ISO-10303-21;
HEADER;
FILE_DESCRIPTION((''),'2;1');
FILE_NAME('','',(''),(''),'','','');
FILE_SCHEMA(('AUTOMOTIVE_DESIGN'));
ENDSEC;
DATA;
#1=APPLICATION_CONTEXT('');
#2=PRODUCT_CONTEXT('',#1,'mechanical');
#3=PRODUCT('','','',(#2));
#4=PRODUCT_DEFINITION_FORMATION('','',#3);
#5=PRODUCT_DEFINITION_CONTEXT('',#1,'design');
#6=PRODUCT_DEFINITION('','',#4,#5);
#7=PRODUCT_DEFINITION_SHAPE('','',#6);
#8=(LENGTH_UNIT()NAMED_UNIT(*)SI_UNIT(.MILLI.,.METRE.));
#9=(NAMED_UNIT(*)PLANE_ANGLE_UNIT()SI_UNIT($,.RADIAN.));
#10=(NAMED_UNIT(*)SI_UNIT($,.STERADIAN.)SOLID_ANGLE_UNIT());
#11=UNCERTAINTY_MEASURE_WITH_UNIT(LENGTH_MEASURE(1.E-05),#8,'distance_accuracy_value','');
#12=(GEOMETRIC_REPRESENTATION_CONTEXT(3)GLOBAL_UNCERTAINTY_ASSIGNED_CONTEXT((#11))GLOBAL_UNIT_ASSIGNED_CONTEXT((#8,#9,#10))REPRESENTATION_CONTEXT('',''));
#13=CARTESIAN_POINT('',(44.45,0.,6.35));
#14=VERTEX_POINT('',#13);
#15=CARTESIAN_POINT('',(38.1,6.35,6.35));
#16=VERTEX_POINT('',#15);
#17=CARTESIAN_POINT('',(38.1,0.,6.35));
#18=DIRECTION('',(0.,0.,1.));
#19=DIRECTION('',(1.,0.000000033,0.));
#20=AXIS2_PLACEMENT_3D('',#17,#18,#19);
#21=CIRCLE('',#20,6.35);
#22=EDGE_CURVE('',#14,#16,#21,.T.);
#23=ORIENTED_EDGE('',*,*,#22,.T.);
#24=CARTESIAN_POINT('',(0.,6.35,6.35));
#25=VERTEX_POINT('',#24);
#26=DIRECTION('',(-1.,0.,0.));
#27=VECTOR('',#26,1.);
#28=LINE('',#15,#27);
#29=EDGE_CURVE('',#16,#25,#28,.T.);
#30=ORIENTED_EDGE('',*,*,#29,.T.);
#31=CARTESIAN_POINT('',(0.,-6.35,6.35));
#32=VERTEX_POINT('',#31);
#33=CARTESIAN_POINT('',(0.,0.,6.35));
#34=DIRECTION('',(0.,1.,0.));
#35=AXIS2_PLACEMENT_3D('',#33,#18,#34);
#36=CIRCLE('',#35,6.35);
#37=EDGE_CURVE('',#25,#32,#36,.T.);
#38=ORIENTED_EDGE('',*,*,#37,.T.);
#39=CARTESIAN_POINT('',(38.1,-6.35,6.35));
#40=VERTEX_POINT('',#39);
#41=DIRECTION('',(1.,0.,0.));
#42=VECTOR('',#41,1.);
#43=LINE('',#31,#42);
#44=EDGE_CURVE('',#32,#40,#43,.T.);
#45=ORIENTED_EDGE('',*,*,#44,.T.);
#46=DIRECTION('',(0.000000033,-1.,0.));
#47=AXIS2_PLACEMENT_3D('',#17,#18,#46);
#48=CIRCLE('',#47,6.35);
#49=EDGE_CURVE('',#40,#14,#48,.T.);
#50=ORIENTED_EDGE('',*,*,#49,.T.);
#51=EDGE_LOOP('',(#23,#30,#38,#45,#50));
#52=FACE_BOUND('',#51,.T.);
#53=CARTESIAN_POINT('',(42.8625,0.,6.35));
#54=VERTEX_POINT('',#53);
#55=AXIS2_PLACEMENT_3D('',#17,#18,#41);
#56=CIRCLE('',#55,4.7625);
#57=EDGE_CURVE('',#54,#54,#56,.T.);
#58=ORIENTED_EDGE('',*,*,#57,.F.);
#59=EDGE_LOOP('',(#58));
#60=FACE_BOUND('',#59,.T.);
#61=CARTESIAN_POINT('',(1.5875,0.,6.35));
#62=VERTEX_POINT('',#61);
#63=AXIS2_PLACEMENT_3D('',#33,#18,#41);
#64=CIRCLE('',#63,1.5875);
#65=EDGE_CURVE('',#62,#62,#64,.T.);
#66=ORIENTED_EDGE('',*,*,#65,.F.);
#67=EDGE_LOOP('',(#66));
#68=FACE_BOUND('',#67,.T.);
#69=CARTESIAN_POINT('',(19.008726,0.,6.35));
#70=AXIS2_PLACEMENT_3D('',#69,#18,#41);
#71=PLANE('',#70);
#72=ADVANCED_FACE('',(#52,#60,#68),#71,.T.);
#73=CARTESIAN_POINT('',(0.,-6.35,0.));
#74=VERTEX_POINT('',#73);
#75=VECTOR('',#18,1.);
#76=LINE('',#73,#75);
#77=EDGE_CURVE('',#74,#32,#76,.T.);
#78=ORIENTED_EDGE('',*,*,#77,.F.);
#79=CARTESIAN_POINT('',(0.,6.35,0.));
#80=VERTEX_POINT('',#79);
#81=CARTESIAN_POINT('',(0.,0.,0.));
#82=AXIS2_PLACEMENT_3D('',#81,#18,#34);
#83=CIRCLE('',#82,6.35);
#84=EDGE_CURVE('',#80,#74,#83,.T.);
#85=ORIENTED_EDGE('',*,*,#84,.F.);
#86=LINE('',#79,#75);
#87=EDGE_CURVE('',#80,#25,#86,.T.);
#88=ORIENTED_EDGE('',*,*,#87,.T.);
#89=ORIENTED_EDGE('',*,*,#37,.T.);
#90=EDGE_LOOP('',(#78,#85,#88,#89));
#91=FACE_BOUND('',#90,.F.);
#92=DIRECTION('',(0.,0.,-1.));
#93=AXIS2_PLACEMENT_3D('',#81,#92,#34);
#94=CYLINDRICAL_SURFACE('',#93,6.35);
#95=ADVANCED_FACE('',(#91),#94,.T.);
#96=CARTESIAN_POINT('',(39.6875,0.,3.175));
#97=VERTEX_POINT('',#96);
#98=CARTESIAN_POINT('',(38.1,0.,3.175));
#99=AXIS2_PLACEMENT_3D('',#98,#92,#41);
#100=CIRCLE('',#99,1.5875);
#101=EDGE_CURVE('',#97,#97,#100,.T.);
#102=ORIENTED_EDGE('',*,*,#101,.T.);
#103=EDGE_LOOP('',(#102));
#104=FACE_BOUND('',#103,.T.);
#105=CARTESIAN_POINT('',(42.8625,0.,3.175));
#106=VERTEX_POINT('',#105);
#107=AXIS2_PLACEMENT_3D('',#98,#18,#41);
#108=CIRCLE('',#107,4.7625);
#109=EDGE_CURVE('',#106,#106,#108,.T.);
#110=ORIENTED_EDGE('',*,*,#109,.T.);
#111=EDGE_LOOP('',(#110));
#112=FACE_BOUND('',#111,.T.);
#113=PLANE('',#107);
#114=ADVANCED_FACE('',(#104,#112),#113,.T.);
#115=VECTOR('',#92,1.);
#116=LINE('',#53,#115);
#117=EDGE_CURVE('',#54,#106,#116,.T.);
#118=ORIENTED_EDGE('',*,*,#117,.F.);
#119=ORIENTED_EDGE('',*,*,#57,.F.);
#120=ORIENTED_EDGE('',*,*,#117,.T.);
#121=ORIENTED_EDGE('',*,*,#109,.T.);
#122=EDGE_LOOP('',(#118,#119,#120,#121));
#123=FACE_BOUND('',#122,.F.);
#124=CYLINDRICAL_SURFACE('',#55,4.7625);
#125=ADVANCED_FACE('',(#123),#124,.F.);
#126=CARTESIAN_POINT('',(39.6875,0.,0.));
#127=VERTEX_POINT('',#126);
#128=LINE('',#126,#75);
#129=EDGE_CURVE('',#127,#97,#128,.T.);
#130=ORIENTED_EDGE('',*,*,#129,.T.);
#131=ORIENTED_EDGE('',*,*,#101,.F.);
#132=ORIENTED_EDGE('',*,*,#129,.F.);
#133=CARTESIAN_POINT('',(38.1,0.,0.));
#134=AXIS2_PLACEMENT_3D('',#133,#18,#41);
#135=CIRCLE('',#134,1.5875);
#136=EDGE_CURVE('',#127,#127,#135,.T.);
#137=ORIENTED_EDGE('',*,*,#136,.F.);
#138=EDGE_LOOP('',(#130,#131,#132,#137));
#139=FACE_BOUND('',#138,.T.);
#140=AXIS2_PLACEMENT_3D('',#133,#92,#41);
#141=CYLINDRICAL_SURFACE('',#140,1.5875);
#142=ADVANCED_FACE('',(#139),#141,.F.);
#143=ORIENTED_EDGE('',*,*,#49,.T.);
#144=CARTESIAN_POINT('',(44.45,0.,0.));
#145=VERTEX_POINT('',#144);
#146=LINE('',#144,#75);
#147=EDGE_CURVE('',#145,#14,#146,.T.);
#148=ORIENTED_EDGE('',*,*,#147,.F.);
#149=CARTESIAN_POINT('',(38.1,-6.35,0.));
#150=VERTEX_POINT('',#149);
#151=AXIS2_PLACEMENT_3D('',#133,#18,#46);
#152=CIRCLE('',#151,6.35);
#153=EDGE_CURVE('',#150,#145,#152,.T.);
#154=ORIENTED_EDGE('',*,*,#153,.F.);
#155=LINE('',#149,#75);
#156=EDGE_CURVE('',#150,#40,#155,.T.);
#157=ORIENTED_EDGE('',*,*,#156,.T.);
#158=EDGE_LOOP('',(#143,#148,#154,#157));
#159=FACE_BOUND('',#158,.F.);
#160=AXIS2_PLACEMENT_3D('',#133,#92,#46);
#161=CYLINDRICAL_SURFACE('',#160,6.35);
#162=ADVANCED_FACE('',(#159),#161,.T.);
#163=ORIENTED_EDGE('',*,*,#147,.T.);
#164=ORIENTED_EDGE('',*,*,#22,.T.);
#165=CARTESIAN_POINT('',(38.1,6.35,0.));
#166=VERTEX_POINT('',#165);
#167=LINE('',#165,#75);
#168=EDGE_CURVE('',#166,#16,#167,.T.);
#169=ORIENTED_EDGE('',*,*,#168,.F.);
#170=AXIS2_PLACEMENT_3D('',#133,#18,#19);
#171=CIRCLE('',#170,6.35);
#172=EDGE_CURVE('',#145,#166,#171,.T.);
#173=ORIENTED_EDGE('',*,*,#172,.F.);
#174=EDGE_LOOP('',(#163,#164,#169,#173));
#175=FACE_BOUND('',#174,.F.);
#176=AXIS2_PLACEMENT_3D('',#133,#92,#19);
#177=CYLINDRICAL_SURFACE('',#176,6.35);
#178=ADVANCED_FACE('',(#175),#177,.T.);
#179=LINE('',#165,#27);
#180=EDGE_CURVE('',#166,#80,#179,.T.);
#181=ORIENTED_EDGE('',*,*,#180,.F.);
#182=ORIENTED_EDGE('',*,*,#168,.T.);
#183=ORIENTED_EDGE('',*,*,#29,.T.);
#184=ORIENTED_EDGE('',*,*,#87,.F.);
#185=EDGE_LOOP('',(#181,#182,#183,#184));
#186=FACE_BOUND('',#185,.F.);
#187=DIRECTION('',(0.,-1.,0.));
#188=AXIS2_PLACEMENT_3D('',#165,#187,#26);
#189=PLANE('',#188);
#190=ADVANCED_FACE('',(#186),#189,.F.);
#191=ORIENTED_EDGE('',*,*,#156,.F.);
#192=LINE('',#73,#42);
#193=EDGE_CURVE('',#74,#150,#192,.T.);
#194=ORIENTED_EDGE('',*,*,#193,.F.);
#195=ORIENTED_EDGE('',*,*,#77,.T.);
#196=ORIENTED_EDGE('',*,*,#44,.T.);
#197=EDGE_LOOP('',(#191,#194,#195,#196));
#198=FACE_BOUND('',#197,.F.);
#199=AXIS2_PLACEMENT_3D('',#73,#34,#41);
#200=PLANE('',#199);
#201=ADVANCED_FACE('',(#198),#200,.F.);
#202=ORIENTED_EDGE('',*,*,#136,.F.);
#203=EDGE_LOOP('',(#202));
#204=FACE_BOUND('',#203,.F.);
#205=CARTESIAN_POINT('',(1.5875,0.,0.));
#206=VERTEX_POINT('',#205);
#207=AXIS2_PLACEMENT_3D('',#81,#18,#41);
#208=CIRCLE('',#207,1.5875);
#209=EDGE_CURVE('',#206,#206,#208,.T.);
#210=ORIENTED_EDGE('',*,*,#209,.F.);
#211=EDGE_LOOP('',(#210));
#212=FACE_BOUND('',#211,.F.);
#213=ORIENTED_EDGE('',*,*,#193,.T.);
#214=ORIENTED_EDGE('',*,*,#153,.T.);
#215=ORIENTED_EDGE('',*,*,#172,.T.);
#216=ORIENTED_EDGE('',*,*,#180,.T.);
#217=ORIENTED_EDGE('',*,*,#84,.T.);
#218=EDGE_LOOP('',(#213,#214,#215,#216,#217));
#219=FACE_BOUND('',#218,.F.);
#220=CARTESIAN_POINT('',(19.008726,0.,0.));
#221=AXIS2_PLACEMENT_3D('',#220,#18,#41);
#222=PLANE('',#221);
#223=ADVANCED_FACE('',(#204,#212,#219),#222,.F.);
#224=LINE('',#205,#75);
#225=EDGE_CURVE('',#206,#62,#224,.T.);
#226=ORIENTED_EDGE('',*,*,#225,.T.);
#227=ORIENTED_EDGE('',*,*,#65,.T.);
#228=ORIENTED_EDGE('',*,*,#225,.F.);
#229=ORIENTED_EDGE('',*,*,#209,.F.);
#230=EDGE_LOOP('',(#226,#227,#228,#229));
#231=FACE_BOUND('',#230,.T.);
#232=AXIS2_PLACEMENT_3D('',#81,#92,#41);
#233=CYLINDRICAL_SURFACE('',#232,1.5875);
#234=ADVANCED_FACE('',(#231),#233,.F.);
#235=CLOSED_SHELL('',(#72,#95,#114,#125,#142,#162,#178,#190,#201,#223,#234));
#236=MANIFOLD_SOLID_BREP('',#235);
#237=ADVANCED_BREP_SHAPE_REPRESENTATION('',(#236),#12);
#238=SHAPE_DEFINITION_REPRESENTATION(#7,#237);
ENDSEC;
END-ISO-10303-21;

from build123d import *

# Parameters (mm, degrees)
F0_R     = 1.5875
F1_DEPTH = 6.35
F2_R     = 4.7625
F3_DEPTH = 3.175


with BuildPart() as f1:
    # F0 (on Top) → F1 (new body)
    with BuildSketch(Plane.XY):
        with BuildLine():
            ThreePointArc((0, 6.35), (4.490128, 4.490128), (6.35, 0))
            ThreePointArc((6.35, 0), (4.490128, -4.490128), (0, -6.35))
            Line((0, -6.35), (38.1, -6.35))
            ThreePointArc((38.1, -6.35), (31.75, 0), (38.1, 6.35))
            Line((38.1, 6.35), (0, 6.35))
        make_face()
        with BuildLine():
            ThreePointArc((44.45, 0), (42.590128, 4.490128), (38.1, 6.35))
            ThreePointArc((38.1, 6.35), (31.75, 0), (38.1, -6.35))
            ThreePointArc((38.1, -6.35), (42.590128, -4.490128), (44.45, 0))
        make_face()
        with Locations((38.1, 0)):
            Circle(F0_R, mode=Mode.SUBTRACT)
        with BuildLine():
            ThreePointArc((0, -6.35), (4.490128, -4.490128), (6.35, 0))
            ThreePointArc((6.35, 0), (4.490128, 4.490128), (0, 6.35))
            ThreePointArc((0, 6.35), (-6.35, 0), (0, -6.35))
        make_face()
        Circle(F0_R, mode=Mode.SUBTRACT)
    extrude(amount=F1_DEPTH)

    # F2 (on face) → F3 (cut)
    with BuildSketch(Plane.XY.offset(6.35)):
        with Locations((38.1, 0)):
            Circle(F2_R)
    extrude(amount=-F3_DEPTH, mode=Mode.SUBTRACT)


solid = f1.part
